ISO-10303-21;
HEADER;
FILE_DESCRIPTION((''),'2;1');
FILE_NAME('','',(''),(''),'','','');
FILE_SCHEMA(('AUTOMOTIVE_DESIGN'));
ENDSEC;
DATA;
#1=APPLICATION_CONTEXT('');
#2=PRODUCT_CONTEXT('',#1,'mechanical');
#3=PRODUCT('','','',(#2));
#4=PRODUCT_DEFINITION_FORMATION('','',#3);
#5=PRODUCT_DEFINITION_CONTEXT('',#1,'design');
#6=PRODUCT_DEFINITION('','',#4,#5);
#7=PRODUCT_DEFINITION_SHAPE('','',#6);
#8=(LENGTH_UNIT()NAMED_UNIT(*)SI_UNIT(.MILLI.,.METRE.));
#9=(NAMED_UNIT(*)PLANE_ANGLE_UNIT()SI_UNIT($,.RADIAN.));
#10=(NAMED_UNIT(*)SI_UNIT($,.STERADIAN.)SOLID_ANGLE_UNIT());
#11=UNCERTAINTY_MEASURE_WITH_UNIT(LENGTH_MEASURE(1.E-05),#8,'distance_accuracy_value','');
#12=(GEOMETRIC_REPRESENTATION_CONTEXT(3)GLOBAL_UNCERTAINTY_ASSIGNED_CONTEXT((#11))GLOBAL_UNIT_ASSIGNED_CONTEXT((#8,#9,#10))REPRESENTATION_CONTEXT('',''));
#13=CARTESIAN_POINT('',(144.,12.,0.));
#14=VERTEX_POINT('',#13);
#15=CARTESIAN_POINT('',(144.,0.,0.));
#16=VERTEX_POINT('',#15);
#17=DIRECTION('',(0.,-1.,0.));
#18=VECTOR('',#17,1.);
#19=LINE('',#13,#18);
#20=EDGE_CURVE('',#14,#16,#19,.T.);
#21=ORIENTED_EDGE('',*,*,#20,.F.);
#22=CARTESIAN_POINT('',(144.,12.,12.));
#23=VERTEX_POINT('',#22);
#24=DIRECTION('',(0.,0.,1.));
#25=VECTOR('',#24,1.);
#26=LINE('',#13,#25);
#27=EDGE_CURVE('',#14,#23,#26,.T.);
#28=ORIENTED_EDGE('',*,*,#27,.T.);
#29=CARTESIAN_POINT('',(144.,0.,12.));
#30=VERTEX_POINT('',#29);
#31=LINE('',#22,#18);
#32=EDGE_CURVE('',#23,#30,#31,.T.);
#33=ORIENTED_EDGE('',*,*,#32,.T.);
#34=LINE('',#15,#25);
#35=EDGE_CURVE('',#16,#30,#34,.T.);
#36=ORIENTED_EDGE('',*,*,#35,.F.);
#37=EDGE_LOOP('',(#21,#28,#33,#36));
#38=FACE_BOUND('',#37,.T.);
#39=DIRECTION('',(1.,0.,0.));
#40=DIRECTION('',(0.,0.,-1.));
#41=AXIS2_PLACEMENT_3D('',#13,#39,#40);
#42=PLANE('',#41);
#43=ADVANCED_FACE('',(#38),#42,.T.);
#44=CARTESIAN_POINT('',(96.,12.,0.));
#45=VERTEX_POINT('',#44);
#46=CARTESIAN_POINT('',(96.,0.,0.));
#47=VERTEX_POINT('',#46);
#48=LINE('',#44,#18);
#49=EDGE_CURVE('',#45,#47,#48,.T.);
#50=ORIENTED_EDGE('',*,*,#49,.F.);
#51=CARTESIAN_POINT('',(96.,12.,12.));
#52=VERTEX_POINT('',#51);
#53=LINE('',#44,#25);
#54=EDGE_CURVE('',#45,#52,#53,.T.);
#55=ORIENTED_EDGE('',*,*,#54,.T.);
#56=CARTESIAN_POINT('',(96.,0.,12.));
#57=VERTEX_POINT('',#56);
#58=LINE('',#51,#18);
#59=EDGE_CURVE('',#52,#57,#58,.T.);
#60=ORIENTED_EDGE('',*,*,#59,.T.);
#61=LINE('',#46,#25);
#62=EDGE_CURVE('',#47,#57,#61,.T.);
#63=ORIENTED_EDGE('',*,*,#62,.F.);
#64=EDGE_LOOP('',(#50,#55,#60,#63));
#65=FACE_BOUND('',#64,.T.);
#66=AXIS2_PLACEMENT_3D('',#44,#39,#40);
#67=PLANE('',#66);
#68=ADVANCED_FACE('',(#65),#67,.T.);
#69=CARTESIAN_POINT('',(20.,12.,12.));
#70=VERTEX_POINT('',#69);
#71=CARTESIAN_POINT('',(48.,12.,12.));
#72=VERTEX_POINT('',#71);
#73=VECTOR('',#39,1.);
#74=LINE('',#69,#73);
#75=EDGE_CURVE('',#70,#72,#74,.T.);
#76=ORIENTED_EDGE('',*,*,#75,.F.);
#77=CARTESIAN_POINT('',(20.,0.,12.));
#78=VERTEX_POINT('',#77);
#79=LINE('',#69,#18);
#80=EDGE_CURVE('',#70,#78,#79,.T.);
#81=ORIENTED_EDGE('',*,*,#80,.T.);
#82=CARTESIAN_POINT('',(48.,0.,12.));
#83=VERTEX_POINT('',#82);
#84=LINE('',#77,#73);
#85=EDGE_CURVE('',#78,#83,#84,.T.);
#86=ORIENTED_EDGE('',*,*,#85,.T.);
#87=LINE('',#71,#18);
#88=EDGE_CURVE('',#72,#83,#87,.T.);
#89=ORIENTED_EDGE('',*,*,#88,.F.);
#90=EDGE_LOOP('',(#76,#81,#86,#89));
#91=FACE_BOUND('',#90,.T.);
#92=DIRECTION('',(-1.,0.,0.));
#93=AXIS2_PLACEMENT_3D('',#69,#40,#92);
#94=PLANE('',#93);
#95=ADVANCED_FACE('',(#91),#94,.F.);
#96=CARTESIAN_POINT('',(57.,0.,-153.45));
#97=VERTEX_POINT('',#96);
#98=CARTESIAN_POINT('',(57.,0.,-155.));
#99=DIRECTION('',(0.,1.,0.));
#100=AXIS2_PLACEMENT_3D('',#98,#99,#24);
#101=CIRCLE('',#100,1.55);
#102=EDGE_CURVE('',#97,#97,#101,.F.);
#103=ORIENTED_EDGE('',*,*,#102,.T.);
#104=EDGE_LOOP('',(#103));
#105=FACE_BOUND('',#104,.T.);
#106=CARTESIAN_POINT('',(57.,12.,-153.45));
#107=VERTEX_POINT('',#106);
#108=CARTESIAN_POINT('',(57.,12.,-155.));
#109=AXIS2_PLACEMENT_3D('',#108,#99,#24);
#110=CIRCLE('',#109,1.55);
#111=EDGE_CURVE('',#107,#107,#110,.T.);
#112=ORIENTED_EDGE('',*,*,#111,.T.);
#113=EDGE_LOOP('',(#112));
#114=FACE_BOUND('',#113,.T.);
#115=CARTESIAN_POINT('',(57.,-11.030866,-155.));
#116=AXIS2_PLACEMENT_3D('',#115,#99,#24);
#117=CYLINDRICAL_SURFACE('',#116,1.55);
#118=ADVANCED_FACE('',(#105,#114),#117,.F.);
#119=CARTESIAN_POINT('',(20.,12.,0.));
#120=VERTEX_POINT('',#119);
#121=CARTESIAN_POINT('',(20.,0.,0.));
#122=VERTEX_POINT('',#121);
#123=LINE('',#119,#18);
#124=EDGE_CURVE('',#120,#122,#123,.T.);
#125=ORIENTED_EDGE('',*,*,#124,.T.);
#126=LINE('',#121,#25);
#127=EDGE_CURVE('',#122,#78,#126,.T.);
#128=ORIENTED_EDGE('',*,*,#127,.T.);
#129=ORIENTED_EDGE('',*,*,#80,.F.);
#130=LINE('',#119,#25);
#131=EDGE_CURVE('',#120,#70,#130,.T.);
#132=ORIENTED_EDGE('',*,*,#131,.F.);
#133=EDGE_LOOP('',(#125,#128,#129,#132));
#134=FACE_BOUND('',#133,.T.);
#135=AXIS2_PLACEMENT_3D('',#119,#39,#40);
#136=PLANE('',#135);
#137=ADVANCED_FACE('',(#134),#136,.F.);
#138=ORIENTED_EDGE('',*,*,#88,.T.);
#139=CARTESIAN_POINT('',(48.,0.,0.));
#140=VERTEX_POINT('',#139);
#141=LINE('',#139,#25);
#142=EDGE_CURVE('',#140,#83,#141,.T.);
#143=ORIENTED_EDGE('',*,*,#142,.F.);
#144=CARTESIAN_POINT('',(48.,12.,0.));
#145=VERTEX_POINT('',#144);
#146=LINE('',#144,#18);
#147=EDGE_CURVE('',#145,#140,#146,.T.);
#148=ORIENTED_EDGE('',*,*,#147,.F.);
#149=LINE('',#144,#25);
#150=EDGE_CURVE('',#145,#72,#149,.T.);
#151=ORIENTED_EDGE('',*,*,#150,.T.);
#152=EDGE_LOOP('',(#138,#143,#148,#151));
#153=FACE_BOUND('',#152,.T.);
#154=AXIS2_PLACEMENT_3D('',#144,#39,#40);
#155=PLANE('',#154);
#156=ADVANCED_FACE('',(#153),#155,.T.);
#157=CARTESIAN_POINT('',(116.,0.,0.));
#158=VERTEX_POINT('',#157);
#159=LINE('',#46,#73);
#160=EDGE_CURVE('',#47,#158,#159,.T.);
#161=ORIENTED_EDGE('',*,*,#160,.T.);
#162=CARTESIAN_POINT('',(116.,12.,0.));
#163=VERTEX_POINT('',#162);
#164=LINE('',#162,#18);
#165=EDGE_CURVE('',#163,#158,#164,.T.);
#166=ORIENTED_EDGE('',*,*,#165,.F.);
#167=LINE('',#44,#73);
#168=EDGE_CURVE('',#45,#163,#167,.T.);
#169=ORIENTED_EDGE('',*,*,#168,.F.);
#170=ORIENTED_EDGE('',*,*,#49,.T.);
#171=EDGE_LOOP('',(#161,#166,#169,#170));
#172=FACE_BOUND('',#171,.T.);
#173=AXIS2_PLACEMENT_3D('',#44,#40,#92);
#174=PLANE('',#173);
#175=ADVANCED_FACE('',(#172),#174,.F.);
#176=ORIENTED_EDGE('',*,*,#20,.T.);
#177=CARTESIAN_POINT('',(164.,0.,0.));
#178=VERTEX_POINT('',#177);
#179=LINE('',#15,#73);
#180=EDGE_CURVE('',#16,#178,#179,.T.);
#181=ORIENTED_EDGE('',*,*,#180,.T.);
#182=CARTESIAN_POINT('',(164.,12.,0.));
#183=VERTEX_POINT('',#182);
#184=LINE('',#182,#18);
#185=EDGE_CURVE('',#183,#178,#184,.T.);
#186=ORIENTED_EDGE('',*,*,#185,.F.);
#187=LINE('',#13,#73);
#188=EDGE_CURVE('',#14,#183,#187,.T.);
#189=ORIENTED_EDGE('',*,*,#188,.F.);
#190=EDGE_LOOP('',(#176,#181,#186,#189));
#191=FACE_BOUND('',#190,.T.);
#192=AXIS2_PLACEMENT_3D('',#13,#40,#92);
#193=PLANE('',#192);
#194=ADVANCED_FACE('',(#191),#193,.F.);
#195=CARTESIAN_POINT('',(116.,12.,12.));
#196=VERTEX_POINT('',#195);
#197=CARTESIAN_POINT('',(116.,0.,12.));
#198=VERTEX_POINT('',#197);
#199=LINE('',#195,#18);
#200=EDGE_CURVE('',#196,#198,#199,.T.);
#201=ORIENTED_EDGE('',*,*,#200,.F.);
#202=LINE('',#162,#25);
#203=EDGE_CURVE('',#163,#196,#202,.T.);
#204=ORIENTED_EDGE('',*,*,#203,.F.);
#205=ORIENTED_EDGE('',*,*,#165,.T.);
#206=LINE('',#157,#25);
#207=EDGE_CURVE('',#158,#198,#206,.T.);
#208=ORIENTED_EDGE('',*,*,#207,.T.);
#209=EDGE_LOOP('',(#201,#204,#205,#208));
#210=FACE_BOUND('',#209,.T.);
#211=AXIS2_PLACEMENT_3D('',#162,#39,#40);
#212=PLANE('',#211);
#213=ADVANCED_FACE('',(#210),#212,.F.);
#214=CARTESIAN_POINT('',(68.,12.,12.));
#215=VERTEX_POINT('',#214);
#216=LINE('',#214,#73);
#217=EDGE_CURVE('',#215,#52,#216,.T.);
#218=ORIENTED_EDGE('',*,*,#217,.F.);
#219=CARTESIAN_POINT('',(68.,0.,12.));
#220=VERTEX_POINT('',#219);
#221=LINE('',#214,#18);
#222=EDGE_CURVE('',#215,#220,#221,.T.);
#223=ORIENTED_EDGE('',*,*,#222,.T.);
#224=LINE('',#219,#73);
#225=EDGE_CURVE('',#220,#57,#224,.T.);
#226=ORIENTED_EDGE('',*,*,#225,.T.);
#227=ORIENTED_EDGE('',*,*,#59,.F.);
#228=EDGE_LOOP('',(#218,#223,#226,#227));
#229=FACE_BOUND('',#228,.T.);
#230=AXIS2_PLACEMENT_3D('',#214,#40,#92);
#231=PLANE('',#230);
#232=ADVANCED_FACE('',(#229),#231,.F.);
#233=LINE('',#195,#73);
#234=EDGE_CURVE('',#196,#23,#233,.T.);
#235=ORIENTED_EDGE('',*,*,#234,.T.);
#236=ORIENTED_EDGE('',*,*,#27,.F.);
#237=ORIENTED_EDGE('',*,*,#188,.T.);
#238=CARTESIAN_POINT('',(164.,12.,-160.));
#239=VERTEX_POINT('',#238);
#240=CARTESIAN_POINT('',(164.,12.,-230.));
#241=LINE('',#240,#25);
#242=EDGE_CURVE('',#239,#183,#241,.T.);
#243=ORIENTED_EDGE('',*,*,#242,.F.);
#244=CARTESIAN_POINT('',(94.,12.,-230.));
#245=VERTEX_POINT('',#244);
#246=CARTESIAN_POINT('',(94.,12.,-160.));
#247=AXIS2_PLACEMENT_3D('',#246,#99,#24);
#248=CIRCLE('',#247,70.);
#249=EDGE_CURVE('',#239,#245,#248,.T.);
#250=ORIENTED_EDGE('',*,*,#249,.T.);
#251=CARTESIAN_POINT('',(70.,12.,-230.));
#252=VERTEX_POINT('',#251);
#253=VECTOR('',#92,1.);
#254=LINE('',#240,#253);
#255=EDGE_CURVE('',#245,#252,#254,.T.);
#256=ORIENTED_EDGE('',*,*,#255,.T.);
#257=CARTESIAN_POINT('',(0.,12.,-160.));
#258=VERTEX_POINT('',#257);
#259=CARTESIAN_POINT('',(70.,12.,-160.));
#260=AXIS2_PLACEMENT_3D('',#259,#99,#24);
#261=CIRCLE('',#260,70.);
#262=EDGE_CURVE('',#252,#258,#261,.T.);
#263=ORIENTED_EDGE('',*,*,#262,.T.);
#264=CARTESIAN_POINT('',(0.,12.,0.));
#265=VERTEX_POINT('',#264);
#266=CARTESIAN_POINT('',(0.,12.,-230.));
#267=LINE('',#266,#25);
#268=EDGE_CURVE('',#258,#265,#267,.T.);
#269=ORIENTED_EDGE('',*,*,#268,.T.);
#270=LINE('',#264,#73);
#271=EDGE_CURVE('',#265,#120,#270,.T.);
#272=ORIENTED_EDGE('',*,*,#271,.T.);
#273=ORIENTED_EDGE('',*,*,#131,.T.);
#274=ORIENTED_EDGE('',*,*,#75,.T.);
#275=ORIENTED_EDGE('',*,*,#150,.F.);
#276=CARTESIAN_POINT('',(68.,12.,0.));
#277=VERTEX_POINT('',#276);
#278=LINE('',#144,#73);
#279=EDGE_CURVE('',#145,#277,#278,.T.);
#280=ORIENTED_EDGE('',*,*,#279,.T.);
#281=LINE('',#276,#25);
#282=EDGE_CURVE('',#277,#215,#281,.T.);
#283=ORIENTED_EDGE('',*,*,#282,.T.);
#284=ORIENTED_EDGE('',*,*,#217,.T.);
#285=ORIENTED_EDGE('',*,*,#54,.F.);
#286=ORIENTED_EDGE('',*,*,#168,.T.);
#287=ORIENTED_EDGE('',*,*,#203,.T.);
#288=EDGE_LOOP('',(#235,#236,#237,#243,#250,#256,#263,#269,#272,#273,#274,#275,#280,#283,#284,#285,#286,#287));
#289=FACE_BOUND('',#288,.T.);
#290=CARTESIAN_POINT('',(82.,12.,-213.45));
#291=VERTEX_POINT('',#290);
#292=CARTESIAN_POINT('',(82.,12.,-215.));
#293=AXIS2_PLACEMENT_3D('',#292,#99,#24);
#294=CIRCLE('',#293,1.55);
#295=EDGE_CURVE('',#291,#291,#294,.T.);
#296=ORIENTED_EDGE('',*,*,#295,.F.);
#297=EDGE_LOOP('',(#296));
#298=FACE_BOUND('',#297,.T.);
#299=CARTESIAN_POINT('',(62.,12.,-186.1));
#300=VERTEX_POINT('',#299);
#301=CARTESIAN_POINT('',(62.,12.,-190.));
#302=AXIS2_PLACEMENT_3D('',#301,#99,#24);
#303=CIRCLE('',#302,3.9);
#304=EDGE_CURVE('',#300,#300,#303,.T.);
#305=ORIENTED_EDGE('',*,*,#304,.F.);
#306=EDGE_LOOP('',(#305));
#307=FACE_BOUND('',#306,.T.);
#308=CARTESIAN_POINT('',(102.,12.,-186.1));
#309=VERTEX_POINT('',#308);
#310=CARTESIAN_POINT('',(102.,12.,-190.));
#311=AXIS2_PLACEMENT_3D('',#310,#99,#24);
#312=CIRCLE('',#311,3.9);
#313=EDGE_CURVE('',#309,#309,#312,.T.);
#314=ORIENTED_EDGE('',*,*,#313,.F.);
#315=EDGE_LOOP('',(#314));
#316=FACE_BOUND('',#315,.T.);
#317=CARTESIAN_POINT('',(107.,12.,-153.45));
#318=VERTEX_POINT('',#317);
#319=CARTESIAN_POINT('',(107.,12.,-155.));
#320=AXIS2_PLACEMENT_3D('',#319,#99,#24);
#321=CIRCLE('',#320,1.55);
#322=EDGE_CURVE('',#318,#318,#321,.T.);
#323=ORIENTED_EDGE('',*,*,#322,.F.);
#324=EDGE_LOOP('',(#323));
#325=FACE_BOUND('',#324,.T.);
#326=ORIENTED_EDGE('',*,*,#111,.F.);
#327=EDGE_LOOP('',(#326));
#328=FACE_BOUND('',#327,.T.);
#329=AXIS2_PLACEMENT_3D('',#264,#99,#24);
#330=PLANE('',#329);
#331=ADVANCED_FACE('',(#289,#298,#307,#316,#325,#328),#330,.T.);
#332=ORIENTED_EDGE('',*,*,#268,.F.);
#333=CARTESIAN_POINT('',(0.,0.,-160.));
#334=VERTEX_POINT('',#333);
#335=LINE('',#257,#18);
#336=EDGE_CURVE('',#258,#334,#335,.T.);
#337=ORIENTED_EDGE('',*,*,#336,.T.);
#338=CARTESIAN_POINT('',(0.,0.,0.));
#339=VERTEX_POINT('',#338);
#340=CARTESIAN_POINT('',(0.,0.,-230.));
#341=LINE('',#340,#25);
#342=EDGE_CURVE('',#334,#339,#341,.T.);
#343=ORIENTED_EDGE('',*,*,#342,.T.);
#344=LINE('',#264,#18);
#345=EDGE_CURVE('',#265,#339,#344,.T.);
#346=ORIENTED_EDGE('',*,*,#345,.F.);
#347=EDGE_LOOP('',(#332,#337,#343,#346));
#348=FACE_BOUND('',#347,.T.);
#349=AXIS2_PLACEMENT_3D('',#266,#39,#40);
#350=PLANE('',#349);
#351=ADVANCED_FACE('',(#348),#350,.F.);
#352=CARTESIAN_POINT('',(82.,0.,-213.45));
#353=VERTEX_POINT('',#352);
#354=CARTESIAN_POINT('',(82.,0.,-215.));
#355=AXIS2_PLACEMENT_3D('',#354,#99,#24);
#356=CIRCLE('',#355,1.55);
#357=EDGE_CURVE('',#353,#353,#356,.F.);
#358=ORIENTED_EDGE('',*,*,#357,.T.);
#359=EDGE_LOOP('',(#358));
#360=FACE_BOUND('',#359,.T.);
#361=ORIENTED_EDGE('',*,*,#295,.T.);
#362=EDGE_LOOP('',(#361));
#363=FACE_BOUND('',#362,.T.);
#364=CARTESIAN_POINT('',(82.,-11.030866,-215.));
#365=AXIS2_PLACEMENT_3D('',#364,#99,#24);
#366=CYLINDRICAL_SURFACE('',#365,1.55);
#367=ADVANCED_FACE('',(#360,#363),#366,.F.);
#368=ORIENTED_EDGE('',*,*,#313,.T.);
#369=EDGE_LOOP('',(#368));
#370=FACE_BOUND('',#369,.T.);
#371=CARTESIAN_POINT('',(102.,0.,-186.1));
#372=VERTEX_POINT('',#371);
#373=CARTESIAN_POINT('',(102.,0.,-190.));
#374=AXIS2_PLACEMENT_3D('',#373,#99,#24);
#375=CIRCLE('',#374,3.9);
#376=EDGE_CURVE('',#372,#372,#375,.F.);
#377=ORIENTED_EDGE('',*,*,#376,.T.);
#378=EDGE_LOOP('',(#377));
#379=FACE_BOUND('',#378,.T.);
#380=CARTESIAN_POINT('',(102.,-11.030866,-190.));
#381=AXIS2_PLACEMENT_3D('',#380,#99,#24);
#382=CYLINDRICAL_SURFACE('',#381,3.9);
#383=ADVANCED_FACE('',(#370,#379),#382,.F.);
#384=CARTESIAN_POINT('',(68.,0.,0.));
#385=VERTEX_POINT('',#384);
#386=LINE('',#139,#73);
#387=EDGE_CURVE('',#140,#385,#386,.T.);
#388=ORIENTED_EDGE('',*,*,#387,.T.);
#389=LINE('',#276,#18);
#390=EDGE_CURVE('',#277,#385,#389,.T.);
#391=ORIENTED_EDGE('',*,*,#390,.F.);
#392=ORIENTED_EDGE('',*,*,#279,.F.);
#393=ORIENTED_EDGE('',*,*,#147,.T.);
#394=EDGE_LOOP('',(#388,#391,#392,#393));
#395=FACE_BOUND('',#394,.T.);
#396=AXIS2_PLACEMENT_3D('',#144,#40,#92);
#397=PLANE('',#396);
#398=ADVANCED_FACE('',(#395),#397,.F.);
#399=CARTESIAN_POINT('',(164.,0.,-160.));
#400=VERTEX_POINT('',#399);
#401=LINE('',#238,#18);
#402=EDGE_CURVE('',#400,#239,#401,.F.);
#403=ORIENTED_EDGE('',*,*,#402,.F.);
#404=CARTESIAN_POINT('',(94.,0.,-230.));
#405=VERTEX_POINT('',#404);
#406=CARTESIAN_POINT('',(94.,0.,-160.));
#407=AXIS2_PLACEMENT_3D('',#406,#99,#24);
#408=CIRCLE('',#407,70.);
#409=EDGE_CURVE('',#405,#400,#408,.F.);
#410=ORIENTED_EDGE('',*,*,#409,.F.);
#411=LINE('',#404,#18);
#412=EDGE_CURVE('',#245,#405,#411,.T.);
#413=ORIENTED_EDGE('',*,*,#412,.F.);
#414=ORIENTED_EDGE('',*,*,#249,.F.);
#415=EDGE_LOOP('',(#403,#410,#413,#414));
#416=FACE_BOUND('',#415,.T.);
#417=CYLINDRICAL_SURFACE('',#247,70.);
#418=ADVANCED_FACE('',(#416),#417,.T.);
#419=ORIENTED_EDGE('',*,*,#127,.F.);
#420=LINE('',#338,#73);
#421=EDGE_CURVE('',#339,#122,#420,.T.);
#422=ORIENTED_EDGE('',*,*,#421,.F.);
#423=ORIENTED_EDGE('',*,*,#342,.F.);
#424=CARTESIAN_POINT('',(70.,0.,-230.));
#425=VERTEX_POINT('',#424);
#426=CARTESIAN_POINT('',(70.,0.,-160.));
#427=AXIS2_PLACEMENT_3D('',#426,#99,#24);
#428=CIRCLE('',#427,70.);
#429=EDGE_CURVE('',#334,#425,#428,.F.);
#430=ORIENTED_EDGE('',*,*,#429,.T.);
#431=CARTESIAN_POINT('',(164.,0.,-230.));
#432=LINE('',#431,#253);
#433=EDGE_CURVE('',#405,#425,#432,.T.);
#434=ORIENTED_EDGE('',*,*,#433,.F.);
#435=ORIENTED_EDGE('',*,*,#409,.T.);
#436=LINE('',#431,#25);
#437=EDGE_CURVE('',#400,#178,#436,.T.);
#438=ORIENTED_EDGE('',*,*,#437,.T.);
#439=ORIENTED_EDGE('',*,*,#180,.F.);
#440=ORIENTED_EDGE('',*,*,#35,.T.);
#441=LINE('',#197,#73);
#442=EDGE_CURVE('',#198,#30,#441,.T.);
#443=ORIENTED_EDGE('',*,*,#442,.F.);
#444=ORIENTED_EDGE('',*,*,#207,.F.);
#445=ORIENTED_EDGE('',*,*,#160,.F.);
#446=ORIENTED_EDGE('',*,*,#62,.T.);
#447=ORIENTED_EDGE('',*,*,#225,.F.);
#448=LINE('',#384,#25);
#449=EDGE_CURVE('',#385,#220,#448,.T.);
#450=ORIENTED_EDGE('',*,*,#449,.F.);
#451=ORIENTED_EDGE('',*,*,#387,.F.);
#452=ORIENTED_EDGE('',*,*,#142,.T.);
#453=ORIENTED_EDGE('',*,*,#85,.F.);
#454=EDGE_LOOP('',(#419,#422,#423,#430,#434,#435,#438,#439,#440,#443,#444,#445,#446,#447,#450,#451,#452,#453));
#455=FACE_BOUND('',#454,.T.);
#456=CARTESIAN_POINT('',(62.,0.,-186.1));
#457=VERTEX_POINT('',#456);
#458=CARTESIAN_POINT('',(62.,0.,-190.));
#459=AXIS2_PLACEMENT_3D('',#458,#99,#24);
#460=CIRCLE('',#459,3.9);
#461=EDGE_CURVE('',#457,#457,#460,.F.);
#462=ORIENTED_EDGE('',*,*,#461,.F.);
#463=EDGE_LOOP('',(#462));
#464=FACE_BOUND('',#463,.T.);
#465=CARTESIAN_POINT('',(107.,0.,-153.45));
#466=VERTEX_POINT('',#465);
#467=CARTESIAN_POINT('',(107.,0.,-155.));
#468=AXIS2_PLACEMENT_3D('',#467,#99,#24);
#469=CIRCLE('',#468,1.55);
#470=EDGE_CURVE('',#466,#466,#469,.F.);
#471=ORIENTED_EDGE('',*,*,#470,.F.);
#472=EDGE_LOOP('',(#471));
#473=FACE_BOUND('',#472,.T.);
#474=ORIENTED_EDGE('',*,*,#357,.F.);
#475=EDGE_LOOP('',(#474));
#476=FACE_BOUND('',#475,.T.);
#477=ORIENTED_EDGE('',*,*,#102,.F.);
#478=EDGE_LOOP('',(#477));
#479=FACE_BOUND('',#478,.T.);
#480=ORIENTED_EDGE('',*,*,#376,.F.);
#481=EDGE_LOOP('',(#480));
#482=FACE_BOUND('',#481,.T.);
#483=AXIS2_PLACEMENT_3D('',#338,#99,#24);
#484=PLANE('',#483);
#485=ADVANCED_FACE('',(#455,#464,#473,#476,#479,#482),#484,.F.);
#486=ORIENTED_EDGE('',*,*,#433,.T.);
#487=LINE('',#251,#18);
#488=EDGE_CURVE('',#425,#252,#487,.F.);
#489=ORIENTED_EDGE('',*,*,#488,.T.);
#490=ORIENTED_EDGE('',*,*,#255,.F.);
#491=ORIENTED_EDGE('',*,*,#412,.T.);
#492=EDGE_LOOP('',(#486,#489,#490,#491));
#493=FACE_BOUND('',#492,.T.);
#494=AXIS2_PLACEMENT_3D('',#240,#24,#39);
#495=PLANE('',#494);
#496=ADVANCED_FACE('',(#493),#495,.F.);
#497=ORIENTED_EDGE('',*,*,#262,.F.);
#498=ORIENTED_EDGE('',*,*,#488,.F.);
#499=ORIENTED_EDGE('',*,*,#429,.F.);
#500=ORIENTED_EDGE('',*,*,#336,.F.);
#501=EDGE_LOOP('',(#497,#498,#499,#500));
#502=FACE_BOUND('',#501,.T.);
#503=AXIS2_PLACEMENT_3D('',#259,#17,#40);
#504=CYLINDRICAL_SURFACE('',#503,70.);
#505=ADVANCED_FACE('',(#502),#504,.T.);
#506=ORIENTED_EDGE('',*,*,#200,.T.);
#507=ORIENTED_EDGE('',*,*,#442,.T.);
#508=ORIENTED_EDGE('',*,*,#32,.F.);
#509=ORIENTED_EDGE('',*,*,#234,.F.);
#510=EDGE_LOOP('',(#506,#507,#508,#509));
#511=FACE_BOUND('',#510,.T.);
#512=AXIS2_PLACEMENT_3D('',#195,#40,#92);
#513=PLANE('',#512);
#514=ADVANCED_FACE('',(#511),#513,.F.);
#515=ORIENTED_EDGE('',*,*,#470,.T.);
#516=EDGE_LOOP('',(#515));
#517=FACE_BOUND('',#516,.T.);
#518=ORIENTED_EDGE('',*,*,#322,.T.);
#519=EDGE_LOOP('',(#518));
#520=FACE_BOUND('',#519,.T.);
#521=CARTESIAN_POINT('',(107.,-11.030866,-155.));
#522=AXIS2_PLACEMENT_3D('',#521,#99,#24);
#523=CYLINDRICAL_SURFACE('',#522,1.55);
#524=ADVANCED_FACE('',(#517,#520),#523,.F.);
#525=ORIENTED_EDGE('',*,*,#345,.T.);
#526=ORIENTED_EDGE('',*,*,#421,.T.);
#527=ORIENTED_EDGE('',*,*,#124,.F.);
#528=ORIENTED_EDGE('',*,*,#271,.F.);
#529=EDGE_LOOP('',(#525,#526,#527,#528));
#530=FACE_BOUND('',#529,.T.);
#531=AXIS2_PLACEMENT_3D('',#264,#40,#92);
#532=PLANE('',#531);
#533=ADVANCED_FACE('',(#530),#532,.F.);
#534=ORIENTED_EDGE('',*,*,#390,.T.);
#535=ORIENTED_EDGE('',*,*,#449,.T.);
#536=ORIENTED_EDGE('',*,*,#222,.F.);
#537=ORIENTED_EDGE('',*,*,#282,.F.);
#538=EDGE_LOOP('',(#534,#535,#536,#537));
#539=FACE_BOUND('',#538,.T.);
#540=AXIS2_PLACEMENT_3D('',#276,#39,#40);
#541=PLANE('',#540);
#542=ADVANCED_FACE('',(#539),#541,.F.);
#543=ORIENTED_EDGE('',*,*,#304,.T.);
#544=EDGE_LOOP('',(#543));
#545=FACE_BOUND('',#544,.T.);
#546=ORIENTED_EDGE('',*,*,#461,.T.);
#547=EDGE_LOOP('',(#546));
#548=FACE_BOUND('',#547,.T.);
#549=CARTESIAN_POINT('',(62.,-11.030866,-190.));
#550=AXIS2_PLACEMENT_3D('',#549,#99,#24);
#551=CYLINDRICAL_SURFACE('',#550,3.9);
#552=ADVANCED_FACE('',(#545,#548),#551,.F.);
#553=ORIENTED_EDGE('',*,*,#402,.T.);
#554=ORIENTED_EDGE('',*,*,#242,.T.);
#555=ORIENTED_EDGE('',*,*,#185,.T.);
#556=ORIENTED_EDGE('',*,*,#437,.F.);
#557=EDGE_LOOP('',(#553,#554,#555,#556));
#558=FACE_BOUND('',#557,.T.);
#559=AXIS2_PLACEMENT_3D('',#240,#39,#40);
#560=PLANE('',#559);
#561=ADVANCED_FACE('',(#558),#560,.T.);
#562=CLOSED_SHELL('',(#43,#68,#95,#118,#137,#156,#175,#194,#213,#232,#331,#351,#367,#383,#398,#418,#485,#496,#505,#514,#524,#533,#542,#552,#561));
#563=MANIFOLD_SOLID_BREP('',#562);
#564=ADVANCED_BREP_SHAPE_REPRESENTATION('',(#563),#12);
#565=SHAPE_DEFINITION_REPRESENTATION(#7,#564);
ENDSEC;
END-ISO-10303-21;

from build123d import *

# Parameters (mm, degrees)
SALIENTE_EXTRUIR1_DEPTH = 12
CROQUIS2_R              = 1.55
CROQUIS2_R_2            = 3.9
CORTAR_EXTRUIR1_DEPTH   = 12
REDONDEO1_R             = 70


with BuildPart() as part:
    # Croquis1 → Saliente-Extruir1 (new body)
    with BuildSketch(Plane(origin=(0, 0, 0), x_dir=(1, 0, 0), z_dir=(0, 1, 0))):
        Polygon((0, 0), (20, 0), (20, -12), (48, -12), (48, 0), (68, 0), (68, -12), (96, -12), (96, 0), (116, 0), (116, -12), (144, -12), (144, 0), (164, 0), (164, 230), (0, 230), align=None)
    extrude(amount=SALIENTE_EXTRUIR1_DEPTH)

    # Croquis2 → Cortar-Extruir1 (cut)
    with BuildSketch(Plane(origin=(0, 12, 0), x_dir=(1, 0, 0), z_dir=(0, 1, 0))):
        with Locations(Location((82, 215, 0), (0, 0, 270))):
            Circle(CROQUIS2_R)
        with Locations(Location((57, 155, 0), (0, 0, 270))):
            Circle(CROQUIS2_R)
        with Locations(Location((107, 155, 0), (0, 0, 270))):
            Circle(CROQUIS2_R)
        with Locations(Location((62, 190, 0), (0, 0, 270))):
            Circle(CROQUIS2_R_2)
        with Locations(Location((102, 190, 0), (0, 0, 270))):
            Circle(CROQUIS2_R_2)
    extrude(amount=-CORTAR_EXTRUIR1_DEPTH, mode=Mode.SUBTRACT)

    # Redondeo1
    redondeo1_edges = [part.edges().sort_by_distance(p)[0] for p in [
        (164, 6, -230),
        (0, 6, -230),
    ]]
    fillet(redondeo1_edges, radius=REDONDEO1_R)


solid = part.part
